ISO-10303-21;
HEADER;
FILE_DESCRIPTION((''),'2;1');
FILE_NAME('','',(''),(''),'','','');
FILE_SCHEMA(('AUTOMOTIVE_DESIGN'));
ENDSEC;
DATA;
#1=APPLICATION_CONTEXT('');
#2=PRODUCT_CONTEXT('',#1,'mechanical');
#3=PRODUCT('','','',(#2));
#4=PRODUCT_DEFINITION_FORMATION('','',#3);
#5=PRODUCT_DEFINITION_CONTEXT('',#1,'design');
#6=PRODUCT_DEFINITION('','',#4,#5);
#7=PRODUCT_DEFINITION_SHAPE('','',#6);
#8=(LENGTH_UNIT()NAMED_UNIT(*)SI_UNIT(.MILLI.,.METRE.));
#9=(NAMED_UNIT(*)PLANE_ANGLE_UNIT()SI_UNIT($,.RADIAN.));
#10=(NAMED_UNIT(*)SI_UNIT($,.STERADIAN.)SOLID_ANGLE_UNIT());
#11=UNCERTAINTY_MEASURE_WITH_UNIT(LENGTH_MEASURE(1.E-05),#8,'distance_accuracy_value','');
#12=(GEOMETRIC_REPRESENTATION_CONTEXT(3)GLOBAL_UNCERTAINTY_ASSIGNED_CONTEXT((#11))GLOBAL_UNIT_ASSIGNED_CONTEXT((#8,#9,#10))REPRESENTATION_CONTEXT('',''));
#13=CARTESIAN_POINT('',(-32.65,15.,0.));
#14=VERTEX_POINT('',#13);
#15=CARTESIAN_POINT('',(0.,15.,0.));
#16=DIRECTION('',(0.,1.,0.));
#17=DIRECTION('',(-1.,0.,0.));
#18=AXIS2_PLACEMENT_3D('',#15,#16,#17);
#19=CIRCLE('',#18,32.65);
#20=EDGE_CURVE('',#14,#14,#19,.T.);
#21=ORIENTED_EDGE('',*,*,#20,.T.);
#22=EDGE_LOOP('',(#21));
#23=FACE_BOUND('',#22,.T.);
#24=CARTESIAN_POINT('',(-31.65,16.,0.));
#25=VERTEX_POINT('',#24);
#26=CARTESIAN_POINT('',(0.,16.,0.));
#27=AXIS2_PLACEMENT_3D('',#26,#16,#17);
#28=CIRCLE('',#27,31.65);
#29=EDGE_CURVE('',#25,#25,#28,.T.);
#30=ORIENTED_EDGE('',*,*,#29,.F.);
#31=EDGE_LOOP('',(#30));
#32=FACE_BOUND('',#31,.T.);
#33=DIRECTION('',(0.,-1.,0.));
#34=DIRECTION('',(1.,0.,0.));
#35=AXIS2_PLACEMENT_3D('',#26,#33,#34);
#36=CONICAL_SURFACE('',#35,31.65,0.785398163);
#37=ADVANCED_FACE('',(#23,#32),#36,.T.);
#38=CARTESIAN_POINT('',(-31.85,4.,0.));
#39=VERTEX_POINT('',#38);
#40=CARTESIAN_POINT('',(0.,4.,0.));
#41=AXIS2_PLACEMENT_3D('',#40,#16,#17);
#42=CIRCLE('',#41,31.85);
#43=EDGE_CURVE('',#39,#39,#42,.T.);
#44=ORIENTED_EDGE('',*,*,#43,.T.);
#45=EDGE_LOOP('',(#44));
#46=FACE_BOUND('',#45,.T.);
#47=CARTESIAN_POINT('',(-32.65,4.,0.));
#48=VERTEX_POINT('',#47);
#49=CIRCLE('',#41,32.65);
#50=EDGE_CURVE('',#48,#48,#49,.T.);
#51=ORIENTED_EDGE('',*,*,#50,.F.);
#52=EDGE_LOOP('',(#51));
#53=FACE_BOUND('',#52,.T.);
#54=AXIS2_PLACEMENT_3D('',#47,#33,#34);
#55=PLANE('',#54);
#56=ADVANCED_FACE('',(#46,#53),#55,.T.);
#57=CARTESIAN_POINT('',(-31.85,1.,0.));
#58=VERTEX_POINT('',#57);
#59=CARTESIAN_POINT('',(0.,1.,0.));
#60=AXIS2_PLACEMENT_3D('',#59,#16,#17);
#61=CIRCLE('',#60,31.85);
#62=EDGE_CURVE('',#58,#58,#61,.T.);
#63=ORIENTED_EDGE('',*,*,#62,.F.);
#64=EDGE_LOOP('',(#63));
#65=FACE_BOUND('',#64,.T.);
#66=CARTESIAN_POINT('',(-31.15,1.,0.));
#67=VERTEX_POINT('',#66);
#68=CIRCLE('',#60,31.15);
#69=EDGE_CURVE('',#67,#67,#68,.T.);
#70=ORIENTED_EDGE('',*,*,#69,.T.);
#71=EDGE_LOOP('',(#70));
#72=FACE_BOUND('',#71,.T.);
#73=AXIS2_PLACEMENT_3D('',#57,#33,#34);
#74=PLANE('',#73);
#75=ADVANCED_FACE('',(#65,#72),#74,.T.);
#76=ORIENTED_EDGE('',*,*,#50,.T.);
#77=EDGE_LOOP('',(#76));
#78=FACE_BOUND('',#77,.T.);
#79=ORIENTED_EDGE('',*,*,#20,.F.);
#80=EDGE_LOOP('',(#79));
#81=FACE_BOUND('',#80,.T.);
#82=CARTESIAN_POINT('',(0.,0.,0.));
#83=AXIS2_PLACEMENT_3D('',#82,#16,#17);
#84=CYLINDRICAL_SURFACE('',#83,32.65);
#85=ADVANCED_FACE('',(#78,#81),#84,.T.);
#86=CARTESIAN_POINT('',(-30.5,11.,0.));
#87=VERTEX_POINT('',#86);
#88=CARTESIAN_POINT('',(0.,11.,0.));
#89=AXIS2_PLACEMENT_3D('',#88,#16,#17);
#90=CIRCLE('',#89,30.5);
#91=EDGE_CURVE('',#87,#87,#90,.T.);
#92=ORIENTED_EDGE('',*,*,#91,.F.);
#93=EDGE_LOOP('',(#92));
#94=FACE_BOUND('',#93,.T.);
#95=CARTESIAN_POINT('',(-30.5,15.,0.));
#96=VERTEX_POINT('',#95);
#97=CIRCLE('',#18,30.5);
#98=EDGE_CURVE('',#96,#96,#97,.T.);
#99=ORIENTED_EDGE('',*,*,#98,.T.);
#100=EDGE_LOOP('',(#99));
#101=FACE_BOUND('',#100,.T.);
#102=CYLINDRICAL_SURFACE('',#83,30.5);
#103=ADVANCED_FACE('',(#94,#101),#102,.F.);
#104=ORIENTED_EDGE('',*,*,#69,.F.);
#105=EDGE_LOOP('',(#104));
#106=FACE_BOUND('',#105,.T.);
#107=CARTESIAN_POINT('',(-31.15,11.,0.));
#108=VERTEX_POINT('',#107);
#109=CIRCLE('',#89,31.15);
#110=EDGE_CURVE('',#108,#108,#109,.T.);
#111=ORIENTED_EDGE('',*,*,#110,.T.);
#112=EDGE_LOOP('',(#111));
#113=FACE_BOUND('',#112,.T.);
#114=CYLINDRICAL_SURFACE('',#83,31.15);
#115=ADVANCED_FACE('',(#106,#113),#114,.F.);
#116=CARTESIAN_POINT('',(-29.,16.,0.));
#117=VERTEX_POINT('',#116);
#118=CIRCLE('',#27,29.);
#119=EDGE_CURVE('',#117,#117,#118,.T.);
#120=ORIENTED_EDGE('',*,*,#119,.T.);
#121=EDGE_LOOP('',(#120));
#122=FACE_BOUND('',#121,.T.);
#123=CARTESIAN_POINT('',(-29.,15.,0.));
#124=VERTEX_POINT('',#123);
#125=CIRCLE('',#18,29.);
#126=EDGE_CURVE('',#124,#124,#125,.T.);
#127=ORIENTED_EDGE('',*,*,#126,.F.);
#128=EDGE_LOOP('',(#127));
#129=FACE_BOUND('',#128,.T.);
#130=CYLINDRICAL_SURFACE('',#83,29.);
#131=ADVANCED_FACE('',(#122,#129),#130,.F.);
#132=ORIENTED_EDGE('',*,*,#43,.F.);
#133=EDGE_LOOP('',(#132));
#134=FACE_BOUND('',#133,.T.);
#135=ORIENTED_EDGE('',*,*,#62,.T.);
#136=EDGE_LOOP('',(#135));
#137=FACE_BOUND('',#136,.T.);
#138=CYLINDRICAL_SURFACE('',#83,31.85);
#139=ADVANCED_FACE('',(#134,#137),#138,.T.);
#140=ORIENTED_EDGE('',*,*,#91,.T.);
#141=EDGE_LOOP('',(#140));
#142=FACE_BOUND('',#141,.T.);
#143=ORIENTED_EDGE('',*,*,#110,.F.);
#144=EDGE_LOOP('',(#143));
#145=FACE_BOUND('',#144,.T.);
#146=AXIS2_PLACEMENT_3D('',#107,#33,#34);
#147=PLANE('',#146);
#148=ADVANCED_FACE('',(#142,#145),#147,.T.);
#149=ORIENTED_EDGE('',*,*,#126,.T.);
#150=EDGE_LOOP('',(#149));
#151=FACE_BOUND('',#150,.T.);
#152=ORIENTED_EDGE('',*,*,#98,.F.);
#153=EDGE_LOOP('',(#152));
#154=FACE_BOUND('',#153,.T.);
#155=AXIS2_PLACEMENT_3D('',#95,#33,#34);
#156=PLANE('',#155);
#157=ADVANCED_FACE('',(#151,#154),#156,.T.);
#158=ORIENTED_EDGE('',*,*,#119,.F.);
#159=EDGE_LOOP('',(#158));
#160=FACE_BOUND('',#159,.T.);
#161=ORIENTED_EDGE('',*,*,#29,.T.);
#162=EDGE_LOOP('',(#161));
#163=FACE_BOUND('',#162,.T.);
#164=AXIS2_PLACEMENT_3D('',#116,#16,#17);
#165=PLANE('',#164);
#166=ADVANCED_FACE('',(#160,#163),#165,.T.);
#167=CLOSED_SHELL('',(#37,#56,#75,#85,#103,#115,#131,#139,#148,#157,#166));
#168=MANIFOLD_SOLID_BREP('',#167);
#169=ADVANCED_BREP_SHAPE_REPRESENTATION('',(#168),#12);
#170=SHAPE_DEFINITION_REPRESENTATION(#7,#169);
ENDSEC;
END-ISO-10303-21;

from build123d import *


with BuildPart() as part:
    # Sketch1 → Revolve1 (revolve)
    with BuildSketch(Plane.XY):
        Polygon((-32.65, 4), (-31.85, 4), (-31.85, 1), (-31.15, 1), (-31.15, 11), (-30.5, 11), (-30.5, 15), (-29, 15), (-29, 16), (-31.65, 16), (-32.65, 15), align=None)
    revolve(axis=Axis((0, 0, 0), (0, -1, 0)))


solid = part.part
